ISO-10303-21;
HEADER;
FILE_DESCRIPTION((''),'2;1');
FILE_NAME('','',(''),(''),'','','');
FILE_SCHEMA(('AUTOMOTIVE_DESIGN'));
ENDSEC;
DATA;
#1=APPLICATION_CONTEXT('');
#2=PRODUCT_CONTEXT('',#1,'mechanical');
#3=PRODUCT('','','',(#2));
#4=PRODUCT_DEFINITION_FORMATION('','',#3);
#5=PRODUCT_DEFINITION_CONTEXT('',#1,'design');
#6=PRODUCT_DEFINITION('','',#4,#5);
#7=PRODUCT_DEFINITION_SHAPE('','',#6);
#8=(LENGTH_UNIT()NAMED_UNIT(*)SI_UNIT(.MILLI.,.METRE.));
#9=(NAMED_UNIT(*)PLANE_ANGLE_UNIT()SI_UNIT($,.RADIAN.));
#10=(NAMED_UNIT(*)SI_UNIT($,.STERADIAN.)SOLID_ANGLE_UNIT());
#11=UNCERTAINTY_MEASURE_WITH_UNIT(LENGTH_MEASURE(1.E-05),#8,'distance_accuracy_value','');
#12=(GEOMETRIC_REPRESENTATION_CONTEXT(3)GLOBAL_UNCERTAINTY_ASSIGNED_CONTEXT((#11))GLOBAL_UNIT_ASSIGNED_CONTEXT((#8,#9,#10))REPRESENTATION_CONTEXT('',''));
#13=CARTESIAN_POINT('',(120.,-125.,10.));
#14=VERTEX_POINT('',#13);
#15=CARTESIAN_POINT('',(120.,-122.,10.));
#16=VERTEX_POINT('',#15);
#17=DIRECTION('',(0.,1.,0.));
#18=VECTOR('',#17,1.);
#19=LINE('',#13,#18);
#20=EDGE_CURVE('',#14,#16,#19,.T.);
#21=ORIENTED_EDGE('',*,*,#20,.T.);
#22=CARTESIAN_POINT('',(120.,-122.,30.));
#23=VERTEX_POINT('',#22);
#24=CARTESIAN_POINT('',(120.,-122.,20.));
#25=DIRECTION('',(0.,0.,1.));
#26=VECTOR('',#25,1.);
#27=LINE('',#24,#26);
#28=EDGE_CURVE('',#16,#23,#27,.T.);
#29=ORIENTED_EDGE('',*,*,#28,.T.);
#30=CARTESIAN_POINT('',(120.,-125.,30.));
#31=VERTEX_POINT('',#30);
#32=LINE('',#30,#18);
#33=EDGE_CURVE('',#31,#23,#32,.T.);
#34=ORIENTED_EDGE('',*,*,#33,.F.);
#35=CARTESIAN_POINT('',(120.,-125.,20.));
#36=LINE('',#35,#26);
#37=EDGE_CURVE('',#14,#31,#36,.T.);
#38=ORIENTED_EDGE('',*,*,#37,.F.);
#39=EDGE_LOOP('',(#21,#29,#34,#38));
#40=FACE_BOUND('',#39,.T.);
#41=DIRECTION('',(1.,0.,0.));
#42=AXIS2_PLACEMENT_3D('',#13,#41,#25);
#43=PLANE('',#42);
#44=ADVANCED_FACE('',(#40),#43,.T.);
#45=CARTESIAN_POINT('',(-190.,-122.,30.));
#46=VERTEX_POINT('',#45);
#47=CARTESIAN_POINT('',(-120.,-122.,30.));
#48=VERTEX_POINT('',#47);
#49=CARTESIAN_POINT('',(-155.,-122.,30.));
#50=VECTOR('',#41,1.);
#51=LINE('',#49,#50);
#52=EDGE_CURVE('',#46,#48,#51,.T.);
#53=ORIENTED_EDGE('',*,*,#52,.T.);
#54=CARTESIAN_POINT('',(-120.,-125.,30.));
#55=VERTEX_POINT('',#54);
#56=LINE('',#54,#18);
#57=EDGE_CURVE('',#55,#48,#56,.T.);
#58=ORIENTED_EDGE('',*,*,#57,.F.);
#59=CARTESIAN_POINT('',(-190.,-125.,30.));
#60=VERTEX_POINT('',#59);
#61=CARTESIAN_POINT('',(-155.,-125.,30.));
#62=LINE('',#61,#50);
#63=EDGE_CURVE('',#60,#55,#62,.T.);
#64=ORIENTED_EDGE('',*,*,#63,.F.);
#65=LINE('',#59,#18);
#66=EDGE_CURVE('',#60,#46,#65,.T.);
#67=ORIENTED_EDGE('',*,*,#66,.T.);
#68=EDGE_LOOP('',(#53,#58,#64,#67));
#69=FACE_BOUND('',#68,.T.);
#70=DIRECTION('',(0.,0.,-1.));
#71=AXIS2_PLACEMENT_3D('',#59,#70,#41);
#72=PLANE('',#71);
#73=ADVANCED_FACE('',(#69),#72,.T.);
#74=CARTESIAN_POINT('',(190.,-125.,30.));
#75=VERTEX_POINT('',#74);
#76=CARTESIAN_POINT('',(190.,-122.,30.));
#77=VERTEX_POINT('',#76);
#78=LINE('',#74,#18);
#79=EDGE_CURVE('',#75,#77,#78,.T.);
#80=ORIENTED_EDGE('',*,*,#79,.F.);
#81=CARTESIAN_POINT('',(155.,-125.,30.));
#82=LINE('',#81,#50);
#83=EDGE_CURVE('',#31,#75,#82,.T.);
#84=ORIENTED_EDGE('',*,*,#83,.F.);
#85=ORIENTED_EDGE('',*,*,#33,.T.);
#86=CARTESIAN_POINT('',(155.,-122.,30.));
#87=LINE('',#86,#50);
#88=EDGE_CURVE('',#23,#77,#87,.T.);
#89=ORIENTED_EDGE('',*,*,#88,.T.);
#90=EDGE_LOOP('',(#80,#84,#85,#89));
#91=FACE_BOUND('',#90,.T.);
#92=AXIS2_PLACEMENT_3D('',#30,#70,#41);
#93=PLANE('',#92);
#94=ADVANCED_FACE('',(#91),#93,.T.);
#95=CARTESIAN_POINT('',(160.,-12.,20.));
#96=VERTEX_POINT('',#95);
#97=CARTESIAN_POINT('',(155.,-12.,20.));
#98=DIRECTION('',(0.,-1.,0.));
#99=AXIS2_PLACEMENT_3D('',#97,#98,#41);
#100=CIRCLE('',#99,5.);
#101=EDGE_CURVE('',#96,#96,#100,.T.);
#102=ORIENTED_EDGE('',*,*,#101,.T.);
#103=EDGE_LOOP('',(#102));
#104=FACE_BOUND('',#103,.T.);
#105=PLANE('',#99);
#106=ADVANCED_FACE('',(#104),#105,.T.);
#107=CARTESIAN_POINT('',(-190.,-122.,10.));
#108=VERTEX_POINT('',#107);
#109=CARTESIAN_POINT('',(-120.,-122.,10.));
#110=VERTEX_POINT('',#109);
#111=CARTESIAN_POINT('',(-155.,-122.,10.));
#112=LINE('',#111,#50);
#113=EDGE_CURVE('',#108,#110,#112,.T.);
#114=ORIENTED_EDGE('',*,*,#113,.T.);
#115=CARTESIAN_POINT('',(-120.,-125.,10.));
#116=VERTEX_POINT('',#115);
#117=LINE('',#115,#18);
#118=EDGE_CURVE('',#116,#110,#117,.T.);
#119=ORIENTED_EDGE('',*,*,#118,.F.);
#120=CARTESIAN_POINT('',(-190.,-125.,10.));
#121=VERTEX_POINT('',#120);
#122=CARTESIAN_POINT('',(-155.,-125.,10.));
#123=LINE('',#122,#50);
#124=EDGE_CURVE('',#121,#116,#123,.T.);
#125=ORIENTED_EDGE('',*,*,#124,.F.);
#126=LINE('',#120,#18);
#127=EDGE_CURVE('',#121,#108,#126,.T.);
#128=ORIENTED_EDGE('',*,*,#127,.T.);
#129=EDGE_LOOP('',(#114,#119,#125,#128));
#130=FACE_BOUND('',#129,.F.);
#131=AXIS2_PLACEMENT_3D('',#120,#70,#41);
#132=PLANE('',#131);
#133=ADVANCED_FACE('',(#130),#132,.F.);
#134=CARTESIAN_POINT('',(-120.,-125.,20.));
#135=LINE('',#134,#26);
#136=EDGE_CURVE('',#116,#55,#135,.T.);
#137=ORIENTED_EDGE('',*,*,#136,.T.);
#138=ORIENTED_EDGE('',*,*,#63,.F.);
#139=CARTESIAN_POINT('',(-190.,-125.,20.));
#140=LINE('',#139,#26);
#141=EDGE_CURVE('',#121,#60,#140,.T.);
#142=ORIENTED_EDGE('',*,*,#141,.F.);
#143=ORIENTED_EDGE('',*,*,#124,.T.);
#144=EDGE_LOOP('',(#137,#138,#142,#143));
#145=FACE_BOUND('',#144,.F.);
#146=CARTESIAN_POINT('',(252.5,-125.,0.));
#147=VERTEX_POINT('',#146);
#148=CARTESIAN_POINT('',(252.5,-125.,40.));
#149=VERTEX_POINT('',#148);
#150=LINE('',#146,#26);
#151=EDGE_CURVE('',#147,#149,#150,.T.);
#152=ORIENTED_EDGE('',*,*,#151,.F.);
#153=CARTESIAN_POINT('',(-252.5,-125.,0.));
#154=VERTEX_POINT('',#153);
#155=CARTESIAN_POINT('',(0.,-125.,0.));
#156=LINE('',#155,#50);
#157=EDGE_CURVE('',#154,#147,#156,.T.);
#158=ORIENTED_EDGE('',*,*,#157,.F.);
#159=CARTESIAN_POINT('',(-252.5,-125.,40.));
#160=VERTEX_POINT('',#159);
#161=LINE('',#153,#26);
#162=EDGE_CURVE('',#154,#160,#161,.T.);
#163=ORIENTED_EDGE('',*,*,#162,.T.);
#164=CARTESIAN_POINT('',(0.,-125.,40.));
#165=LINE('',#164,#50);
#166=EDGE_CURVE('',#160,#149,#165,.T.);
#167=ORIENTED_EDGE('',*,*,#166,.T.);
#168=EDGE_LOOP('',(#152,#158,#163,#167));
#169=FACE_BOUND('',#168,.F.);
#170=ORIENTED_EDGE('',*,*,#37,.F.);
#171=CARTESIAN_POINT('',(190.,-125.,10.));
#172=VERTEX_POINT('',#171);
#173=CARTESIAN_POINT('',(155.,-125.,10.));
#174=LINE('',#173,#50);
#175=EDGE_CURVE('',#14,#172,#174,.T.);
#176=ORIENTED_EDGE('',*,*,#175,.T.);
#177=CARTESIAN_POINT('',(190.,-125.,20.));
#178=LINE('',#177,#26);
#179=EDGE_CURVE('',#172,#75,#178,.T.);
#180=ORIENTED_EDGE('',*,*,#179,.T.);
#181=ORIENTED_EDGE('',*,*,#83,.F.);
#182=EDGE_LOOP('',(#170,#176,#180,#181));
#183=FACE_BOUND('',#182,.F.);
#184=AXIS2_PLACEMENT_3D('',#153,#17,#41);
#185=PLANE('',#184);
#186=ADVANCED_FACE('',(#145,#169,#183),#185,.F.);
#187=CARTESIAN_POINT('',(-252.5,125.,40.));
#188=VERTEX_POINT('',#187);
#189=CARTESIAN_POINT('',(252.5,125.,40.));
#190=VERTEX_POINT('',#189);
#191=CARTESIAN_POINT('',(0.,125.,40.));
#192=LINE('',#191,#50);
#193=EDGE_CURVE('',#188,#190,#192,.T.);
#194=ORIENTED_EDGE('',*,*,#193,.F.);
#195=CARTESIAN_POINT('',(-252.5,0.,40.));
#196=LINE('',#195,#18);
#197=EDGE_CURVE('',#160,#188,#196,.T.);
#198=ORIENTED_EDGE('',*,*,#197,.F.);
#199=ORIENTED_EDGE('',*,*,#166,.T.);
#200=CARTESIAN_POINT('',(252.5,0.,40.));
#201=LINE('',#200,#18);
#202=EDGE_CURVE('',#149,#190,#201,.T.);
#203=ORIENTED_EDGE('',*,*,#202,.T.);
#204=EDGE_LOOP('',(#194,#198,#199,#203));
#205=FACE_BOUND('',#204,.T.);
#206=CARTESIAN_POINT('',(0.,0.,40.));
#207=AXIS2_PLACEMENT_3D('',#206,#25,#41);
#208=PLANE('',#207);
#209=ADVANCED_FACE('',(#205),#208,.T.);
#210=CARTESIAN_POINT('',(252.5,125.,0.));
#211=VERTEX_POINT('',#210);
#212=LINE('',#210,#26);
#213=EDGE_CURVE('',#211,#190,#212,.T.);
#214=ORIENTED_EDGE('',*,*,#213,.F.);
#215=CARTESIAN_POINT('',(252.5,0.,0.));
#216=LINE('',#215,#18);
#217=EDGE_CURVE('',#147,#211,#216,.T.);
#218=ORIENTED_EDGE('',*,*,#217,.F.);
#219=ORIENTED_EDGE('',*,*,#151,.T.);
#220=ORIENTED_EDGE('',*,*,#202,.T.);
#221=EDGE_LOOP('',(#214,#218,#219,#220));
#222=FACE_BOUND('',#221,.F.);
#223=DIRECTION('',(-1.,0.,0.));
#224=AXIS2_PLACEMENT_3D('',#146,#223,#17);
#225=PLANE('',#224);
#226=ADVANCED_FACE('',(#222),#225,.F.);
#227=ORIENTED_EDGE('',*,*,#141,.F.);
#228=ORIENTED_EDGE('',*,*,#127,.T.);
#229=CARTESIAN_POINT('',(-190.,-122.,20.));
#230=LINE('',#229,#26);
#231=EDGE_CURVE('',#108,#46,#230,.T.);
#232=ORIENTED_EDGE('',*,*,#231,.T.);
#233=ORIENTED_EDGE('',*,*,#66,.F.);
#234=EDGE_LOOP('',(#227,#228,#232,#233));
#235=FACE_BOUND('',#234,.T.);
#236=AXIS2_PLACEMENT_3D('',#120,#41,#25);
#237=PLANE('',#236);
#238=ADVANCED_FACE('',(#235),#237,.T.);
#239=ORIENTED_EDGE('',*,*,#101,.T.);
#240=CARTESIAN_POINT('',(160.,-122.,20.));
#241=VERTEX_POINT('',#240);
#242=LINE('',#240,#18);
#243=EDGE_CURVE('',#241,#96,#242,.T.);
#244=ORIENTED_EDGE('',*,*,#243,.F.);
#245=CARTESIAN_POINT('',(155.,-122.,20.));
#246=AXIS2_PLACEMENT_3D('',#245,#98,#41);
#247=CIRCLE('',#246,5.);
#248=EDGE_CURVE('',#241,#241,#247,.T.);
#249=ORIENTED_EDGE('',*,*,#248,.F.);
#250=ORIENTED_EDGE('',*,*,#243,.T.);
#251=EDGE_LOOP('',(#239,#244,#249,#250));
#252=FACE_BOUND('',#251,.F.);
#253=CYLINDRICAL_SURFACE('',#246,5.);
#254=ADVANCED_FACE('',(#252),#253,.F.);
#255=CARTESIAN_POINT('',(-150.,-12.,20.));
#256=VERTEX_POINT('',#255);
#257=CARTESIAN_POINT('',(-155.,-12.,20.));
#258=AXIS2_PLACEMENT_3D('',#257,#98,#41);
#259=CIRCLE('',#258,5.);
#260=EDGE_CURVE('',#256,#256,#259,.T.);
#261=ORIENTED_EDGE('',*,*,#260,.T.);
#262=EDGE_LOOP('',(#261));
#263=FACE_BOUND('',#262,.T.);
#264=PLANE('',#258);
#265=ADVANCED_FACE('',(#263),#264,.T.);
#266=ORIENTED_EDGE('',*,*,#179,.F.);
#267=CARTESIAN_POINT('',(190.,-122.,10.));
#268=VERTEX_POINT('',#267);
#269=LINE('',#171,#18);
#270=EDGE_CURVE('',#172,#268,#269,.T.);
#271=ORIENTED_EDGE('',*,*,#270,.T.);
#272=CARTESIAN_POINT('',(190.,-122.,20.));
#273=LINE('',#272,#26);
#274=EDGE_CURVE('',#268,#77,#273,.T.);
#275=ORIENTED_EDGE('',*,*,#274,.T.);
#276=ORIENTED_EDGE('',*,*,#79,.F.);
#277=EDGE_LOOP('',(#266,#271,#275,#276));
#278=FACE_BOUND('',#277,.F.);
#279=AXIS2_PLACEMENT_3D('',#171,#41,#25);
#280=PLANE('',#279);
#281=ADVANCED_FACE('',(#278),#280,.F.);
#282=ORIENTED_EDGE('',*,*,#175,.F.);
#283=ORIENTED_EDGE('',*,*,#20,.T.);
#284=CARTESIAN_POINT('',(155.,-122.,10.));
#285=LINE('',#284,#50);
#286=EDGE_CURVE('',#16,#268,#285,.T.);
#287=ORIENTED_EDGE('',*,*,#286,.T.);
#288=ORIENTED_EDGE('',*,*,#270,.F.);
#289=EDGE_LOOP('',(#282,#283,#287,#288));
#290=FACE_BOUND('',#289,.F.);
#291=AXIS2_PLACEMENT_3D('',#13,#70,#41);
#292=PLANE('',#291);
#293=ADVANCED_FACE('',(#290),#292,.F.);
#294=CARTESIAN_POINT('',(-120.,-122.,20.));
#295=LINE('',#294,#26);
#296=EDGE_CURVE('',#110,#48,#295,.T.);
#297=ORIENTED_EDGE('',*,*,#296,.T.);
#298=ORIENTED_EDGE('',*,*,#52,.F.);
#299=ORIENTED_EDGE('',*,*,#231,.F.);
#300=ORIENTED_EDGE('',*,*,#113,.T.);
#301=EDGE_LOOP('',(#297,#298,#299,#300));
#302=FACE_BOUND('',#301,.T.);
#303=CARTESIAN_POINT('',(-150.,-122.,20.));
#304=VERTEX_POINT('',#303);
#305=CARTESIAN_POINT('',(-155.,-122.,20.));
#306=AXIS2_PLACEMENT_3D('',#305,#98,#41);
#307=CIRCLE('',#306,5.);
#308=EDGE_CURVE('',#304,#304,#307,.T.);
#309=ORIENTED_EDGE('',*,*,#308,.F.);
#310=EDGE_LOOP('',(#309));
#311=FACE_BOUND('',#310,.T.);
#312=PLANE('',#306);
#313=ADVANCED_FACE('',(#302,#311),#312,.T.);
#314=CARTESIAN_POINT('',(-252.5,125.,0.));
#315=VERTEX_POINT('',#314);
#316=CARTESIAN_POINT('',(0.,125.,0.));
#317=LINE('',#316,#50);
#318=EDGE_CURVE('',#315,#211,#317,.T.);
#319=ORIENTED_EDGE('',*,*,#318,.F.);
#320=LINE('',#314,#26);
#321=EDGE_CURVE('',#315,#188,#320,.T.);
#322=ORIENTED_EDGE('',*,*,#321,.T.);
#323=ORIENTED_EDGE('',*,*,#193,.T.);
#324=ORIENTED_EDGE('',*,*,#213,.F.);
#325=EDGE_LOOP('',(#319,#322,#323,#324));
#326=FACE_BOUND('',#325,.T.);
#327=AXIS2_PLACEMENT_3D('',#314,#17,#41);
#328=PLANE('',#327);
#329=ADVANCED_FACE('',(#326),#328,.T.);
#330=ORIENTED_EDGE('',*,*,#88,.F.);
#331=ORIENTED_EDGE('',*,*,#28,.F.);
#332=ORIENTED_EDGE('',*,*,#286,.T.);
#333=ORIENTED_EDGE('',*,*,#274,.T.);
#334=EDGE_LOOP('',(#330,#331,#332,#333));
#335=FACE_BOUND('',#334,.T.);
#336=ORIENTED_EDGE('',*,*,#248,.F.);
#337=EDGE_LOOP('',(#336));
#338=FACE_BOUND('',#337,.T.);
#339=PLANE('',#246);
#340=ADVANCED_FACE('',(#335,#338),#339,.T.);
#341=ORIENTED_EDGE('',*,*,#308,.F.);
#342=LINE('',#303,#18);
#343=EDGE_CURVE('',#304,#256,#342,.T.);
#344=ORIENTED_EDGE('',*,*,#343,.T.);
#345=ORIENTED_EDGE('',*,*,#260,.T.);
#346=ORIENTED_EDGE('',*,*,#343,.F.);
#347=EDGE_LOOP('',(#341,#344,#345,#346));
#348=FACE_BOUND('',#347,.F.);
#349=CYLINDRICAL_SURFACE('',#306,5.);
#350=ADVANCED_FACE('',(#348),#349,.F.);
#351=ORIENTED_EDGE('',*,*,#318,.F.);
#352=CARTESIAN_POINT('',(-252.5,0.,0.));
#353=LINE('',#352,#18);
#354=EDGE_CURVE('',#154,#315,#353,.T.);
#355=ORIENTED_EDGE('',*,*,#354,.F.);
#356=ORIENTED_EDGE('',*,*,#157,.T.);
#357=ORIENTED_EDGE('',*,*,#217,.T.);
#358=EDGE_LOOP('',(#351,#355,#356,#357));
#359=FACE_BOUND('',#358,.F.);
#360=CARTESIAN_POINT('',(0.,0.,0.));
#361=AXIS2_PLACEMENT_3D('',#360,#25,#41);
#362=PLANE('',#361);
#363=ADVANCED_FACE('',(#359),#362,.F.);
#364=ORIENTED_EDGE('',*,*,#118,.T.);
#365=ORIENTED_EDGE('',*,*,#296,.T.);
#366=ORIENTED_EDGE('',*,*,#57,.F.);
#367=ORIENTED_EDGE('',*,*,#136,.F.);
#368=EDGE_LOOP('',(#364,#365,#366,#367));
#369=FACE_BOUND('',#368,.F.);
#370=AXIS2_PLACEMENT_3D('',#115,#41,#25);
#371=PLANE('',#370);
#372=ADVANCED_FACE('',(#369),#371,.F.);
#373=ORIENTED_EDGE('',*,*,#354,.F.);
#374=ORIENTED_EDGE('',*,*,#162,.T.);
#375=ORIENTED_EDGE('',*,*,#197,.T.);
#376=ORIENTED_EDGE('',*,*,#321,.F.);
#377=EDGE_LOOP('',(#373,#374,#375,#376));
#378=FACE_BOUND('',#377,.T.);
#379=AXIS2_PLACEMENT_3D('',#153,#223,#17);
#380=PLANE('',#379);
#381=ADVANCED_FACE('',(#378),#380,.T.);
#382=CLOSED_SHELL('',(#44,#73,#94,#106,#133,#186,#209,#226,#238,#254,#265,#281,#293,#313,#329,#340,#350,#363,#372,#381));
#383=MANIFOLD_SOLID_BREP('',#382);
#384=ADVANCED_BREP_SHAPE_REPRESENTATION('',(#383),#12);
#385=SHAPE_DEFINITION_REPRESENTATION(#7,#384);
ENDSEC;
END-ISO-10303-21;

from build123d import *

# Parameters (mm, degrees)
F0_W     = 505
F0_H     = 250
F1_DEPTH = 40
F2_W     = 70
F2_H     = 20
F3_DEPTH = 3
F4_R     = 5
F5_DEPTH = 110


with BuildPart() as f1:
    # F0 (on Top) → F1 (new body)
    with BuildSketch(Plane.XY):
        Rectangle(F0_W, F0_H)
    extrude(amount=F1_DEPTH)

    # F2 (on face) → F3 (cut)
    with BuildSketch(Plane.XZ.offset(125)):
        with Locations((155, 20)):
            Rectangle(F2_W, F2_H)
        with Locations((-155, 20)):
            Rectangle(F2_W, F2_H)
    extrude(amount=-F3_DEPTH, mode=Mode.SUBTRACT)

    # F4 (on face) → F5 (cut)
    with BuildSketch(Plane.XZ.offset(122)):
        with Locations((-155, 20)):
            Circle(F4_R)
        with Locations((155, 20)):
            Circle(F4_R)
    extrude(amount=-F5_DEPTH, mode=Mode.SUBTRACT)


solid = f1.part
